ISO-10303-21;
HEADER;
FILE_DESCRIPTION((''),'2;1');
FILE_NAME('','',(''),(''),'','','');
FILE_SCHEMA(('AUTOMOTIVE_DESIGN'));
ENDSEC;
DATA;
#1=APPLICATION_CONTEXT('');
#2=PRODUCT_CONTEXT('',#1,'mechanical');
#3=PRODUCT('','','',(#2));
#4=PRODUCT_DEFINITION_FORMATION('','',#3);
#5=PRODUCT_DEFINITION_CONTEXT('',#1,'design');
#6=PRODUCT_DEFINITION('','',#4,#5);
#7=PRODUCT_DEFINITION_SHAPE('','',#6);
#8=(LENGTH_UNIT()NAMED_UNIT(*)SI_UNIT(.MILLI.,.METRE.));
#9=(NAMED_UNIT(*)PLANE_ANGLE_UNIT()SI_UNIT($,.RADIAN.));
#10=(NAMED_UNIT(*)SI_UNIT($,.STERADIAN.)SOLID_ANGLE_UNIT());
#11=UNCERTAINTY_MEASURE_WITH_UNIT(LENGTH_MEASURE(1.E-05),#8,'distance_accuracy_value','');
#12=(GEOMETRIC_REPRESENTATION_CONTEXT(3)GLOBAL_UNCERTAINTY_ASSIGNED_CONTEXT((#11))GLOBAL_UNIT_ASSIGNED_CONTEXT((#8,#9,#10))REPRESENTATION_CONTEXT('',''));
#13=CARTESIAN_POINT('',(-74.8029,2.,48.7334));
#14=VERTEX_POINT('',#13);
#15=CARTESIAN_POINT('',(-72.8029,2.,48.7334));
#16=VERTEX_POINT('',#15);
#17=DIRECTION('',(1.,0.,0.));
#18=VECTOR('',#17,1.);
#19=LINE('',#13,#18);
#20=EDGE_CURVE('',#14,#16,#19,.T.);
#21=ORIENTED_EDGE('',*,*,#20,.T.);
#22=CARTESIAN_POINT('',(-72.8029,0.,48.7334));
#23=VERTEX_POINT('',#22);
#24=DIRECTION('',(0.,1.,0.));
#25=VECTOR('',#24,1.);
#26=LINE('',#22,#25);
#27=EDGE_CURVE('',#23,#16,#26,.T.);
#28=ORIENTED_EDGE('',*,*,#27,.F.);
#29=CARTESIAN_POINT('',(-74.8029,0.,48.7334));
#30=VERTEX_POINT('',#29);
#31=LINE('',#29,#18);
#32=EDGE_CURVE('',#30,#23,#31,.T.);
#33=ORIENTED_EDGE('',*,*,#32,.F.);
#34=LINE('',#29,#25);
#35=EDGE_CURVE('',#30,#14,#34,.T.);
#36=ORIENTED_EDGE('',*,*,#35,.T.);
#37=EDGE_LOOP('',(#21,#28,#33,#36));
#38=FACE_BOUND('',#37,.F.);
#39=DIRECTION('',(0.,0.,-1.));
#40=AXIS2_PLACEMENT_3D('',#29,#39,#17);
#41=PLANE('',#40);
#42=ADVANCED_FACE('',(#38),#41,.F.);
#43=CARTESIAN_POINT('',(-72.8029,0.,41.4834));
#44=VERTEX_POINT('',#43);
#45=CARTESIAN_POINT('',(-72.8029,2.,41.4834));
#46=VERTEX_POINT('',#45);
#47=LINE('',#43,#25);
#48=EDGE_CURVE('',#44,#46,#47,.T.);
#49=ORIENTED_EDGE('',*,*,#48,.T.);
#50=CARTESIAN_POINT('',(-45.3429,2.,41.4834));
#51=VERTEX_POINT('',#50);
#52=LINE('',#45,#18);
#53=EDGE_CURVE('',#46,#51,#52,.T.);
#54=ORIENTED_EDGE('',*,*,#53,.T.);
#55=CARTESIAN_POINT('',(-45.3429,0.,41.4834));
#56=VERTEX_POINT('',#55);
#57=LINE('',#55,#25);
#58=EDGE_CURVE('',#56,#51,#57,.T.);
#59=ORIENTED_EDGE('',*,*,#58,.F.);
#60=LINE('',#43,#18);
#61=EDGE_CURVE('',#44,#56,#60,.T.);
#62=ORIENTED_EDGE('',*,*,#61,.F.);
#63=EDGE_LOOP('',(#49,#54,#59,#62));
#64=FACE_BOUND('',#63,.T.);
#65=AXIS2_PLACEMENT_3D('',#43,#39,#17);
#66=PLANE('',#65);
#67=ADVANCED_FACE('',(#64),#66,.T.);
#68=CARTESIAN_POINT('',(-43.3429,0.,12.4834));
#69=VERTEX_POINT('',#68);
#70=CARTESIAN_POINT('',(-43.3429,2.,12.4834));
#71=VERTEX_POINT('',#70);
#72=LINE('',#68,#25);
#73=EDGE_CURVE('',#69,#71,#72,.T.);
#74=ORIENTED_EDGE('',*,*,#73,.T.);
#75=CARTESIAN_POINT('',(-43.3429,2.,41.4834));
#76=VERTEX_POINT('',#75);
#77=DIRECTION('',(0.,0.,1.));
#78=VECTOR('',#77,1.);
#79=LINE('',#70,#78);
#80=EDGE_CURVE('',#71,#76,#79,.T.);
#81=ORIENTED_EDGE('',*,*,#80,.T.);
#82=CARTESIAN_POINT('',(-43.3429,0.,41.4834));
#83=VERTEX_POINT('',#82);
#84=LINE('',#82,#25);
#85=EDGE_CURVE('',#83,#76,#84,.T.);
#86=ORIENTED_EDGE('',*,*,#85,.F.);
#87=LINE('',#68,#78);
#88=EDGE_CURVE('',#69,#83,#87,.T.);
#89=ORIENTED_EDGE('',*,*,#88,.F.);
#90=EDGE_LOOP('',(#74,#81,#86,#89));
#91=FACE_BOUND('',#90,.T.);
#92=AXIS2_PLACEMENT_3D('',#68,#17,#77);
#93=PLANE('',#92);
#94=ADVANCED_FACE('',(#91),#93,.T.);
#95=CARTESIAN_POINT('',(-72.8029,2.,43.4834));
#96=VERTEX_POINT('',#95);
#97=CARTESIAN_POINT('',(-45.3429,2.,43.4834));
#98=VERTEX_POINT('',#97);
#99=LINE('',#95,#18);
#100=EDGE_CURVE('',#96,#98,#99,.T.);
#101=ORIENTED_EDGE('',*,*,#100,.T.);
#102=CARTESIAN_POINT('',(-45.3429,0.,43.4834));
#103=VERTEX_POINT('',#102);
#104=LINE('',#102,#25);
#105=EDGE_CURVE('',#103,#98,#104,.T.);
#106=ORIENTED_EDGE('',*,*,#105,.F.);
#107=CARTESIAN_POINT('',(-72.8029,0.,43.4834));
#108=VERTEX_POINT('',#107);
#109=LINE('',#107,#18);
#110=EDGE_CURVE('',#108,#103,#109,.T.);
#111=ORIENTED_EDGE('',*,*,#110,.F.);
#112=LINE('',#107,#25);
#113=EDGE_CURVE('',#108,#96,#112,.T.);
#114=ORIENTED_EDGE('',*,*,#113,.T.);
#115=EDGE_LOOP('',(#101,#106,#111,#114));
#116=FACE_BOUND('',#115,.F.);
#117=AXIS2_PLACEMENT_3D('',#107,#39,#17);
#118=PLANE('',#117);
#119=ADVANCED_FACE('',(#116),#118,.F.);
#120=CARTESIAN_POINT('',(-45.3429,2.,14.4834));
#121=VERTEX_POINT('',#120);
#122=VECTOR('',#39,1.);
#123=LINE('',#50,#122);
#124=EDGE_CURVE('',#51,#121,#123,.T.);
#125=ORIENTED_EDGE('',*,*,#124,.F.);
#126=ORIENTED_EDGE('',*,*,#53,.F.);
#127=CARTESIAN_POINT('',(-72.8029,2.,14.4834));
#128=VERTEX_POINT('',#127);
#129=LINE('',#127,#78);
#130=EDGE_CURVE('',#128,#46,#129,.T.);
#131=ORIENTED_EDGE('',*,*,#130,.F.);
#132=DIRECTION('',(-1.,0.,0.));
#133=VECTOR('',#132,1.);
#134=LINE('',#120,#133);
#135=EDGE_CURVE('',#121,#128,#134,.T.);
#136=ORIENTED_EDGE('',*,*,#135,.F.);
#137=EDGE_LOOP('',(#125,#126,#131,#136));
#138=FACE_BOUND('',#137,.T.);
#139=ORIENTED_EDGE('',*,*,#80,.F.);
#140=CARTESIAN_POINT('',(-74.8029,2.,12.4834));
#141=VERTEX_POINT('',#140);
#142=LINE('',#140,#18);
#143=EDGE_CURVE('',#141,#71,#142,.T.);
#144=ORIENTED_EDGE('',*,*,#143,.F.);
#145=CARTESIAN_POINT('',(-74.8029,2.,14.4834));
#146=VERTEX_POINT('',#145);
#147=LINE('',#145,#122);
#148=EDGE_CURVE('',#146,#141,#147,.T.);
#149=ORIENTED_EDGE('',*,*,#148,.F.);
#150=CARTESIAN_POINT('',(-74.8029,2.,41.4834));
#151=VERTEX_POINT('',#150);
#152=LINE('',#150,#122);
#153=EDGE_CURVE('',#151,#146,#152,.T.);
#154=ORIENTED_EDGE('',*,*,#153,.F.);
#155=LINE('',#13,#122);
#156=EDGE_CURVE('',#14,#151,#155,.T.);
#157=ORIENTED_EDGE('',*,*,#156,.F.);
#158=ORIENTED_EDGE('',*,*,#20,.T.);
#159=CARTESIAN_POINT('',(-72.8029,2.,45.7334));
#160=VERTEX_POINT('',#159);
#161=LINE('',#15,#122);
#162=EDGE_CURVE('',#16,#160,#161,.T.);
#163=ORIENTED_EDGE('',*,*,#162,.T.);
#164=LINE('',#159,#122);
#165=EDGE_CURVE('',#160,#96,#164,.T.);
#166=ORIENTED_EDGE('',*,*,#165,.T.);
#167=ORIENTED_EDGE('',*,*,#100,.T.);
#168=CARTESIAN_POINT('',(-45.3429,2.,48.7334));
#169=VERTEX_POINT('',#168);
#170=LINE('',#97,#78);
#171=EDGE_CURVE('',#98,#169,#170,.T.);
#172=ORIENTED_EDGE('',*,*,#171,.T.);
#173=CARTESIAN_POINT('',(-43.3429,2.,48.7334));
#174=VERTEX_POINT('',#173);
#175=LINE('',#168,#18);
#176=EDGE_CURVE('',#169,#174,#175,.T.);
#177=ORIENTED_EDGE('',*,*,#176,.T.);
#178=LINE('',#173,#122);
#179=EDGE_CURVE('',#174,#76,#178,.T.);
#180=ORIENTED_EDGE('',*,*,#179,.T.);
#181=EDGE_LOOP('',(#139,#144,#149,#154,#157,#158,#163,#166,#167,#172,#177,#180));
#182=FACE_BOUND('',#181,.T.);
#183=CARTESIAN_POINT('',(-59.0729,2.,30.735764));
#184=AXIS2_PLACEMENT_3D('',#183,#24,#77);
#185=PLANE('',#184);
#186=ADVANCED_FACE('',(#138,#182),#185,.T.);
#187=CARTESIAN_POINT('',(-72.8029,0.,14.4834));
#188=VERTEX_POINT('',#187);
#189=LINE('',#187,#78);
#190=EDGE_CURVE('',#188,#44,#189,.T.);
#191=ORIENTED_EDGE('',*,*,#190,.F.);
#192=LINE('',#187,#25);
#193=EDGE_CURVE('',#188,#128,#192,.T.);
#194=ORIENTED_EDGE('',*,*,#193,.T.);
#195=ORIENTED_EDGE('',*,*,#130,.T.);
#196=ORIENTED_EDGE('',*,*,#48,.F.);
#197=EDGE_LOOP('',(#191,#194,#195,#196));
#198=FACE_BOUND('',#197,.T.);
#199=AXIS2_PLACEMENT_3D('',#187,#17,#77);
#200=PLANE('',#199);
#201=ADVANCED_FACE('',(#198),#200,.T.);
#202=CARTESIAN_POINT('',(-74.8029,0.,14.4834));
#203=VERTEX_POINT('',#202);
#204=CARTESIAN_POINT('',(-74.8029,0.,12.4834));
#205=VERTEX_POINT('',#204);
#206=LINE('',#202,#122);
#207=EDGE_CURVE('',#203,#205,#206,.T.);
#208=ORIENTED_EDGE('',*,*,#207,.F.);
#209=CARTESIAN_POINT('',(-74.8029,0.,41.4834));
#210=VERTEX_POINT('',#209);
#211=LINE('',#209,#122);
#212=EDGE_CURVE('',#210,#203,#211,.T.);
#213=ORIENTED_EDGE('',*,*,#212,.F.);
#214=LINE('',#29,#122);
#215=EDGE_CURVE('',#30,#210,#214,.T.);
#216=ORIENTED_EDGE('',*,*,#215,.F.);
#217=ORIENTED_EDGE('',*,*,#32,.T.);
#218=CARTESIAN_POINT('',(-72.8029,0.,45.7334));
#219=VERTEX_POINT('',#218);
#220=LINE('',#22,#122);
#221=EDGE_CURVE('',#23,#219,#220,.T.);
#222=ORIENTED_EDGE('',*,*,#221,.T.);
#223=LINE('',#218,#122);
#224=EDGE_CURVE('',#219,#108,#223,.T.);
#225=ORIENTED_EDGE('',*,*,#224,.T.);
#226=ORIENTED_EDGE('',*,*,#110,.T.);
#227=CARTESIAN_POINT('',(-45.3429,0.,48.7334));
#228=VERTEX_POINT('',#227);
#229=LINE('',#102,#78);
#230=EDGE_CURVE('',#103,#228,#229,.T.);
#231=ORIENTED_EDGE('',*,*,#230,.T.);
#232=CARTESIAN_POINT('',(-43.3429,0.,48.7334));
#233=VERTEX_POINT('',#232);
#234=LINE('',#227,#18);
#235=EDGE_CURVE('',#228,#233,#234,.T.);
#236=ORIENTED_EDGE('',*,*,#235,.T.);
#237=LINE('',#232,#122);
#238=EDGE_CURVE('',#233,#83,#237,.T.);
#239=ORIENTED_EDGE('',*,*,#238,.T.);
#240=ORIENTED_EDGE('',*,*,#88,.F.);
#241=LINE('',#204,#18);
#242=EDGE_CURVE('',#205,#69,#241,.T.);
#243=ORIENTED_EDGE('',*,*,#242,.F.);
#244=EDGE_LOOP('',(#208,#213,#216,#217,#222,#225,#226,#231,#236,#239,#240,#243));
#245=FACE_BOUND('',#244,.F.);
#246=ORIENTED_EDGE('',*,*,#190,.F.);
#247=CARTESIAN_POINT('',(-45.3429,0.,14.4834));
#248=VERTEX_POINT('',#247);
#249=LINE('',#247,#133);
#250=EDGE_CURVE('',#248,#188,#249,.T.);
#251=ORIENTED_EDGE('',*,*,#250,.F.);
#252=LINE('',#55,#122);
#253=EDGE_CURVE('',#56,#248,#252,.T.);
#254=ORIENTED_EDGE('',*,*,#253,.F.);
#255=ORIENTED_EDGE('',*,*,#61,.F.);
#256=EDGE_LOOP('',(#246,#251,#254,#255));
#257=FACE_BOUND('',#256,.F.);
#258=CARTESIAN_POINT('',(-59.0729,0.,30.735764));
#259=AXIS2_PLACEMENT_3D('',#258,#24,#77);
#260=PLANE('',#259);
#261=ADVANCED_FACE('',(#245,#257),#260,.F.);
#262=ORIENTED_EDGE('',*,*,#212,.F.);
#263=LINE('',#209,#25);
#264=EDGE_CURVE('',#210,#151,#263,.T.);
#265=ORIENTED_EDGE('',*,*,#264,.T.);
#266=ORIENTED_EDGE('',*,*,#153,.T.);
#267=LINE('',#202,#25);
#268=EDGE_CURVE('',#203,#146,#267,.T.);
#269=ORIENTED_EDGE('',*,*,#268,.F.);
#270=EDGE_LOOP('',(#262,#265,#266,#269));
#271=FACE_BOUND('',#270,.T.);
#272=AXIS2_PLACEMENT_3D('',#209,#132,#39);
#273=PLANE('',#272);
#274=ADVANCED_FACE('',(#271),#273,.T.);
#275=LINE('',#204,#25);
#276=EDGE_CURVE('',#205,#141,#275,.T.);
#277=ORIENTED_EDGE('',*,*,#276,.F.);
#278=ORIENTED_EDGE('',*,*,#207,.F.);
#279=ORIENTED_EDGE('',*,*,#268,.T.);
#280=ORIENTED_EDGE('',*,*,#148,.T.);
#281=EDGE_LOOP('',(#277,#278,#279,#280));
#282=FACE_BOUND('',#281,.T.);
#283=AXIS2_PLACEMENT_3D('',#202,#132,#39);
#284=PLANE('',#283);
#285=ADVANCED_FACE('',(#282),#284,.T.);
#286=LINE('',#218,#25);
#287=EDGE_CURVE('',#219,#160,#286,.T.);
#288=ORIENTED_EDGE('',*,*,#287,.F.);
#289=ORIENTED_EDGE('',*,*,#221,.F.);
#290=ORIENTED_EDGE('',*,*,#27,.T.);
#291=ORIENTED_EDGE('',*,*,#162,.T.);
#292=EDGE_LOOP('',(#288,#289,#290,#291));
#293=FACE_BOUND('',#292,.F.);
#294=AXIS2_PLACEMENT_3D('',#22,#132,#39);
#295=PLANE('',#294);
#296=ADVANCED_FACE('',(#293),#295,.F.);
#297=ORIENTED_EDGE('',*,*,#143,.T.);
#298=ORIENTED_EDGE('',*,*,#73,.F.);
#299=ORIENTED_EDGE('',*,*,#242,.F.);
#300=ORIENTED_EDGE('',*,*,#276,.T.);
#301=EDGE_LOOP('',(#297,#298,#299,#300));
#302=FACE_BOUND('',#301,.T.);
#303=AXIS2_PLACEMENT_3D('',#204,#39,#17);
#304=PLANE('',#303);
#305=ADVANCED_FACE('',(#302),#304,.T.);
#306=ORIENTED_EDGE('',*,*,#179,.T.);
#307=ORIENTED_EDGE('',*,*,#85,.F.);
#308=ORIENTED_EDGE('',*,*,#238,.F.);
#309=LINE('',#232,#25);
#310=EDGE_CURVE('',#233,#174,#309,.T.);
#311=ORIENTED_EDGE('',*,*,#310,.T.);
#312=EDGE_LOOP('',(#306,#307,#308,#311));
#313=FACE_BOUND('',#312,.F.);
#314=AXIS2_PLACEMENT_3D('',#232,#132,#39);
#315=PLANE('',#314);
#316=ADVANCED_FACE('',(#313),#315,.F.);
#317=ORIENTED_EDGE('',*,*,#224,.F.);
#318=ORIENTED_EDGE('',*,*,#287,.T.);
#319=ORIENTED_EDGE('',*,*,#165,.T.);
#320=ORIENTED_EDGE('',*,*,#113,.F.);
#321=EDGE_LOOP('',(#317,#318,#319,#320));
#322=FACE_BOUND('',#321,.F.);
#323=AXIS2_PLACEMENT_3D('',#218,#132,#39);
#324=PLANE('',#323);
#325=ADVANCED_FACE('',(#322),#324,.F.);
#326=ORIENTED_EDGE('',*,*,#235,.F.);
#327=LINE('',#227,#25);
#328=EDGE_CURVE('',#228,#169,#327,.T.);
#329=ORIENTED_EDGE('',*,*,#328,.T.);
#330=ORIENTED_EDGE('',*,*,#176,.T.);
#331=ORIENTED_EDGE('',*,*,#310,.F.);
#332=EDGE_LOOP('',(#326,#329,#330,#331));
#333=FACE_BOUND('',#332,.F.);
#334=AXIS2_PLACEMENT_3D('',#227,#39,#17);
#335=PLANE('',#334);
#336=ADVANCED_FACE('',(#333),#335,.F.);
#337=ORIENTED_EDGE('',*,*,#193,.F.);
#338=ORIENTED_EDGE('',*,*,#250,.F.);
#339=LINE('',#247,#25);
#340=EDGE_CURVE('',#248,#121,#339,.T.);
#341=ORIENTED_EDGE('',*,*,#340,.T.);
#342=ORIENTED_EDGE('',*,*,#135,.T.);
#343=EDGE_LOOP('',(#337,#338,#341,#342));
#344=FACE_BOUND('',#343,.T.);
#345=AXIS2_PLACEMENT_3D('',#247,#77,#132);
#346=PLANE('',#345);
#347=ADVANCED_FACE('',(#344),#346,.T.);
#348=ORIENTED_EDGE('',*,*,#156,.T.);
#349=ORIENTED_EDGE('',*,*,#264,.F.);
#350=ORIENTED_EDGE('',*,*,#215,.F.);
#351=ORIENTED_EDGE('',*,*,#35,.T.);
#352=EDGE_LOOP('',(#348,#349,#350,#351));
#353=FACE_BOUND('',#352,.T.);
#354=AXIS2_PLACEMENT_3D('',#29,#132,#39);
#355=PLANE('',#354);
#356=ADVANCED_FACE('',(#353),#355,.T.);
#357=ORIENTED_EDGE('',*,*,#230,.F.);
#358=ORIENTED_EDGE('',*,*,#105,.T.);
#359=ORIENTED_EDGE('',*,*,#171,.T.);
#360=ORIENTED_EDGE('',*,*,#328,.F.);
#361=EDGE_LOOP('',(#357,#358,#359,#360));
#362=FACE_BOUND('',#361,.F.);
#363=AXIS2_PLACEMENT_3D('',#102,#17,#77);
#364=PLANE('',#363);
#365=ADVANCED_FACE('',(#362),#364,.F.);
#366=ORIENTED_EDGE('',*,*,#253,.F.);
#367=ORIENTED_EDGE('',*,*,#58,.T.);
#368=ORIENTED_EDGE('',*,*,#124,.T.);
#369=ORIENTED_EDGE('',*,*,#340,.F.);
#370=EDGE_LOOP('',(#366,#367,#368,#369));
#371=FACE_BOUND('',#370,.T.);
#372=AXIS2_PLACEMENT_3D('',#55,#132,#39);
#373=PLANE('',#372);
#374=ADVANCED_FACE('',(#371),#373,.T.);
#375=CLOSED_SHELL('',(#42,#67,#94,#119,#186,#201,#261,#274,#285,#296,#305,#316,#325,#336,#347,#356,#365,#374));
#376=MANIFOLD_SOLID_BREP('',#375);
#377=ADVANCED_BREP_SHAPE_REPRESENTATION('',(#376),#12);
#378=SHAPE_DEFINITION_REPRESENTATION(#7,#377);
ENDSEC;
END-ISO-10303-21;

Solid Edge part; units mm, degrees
sketch "Sketch1" plane through (0, 0, 0) normal (0, -1, 0) x (1, 0, 0)
  line L0 (-74.8029, 48.7334) -> (-72.8029, 48.7334)
  line L1 (-72.8029, 48.7334) -> (-72.8029, 45.7334)
  line L2 (-72.8029, 45.7334) -> (-72.8029, 43.4834)
  line L3 (-72.8029, 43.4834) -> (-45.3429, 43.4834)
  line L4 (-45.3429, 43.4834) -> (-45.3429, 48.7334)
  line L5 (-45.3429, 48.7334) -> (-43.3429, 48.7334)
  line L6 (-43.3429, 48.7334) -> (-43.3429, 41.4834)
  line L7 (-43.3429, 12.4834) -> (-43.3429, 41.4834)
  line L8 (-74.8029, 12.4834) -> (-43.3429, 12.4834)
  line L9 (-74.8029, 14.4834) -> (-74.8029, 12.4834)
  line L10 (-74.8029, 41.4834) -> (-74.8029, 14.4834)
  line L11 (-74.8029, 48.7334) -> (-74.8029, 41.4834)
  line L12 (-72.8029, 41.4834) -> (-45.3429, 41.4834)
  line L13 (-45.3429, 41.4834) -> (-45.3429, 14.4834)
  line L14 (-45.3429, 14.4834) -> (-72.8029, 14.4834)
  line L15 (-72.8029, 14.4834) -> (-72.8029, 41.4834)
extrude "Protrusion1" add sketch "Sketch1" against normal blind 2
properties material "Stainless Steel, 420"
